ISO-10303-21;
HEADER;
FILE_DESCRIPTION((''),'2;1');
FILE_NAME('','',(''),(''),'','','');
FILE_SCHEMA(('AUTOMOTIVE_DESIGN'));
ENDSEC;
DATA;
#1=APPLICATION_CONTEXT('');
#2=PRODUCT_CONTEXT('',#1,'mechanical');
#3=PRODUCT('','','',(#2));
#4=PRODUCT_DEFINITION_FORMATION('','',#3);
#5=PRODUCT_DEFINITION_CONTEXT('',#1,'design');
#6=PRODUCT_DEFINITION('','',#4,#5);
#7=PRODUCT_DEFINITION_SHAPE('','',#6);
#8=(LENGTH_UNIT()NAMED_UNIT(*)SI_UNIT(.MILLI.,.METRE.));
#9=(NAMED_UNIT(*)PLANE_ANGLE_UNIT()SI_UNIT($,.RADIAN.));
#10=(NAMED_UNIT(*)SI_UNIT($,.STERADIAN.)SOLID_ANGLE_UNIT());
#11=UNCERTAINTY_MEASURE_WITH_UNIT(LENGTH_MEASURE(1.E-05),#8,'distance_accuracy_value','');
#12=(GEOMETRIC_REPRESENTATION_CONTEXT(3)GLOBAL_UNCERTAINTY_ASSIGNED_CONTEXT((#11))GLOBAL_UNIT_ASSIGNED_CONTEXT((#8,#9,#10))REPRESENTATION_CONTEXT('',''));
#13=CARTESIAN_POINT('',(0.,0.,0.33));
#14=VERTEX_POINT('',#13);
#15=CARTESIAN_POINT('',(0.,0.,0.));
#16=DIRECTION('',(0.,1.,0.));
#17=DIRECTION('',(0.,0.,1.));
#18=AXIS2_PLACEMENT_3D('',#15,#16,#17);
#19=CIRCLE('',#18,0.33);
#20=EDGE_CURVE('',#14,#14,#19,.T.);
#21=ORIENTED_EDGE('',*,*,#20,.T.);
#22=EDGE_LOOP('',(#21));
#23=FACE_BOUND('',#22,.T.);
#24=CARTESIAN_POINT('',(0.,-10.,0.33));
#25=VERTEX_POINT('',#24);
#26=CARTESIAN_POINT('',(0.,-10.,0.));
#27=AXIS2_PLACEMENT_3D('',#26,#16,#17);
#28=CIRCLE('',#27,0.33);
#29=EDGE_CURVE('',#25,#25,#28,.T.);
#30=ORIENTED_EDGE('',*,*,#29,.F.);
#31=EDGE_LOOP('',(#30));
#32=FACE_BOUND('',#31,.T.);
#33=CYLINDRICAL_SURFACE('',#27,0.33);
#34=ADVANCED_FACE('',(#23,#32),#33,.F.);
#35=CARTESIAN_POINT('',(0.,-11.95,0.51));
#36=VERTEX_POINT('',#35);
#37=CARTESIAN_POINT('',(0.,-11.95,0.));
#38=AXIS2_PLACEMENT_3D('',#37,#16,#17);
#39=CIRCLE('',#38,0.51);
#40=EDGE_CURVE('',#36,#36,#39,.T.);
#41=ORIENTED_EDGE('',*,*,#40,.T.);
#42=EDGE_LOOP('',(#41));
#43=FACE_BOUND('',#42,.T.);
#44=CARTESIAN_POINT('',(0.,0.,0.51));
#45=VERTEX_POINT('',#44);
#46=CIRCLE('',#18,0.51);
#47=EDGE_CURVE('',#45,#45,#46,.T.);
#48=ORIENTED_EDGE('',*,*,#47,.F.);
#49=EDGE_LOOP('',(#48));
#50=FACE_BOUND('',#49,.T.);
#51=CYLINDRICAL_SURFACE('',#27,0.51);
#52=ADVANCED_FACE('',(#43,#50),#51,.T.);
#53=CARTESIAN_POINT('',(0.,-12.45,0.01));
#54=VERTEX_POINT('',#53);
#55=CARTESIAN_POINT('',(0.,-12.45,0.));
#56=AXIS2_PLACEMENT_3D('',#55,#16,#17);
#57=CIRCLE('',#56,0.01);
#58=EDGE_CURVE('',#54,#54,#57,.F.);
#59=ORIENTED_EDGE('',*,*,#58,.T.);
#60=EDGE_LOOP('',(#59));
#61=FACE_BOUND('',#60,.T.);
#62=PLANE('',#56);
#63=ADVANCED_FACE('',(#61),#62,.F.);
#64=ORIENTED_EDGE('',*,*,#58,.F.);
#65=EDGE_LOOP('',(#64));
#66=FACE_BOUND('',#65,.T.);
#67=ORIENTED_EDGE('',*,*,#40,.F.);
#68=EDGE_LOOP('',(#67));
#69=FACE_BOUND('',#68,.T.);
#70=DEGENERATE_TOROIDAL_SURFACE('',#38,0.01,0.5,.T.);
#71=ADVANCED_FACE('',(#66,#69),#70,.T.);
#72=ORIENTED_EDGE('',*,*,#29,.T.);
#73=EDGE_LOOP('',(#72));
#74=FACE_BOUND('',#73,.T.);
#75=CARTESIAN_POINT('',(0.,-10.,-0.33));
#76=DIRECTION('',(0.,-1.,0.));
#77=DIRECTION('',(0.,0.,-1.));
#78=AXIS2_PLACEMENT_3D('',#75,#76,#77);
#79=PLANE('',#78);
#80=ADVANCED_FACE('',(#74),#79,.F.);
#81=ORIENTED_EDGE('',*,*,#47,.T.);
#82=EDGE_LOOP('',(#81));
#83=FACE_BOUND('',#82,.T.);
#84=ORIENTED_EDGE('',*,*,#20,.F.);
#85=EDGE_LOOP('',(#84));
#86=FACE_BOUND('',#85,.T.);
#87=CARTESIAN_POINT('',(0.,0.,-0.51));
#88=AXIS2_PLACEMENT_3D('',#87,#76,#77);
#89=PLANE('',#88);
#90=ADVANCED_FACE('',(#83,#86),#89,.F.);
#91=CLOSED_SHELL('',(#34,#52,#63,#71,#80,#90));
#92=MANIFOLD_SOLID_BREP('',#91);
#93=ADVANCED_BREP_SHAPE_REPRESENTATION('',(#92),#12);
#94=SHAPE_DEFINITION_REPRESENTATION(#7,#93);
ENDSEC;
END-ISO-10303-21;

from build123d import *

# Parameters (mm, degrees)
FILLET1_R = 0.5


with BuildPart() as part:
    # Sketch1 → Revolve1 (revolve)
    with BuildSketch(Plane(origin=(0, 0, 0), x_dir=(0, 0, -1), z_dir=(1, 0, 0)), mode=Mode.PRIVATE) as revolve1_sk:
        Polygon((0.33, 0), (0.33, -10), (0, -10), (0, -12.45), (0.51, -12.45), (0.51, 0), align=None)
    revolve(revolve1_sk.sketch.rotate(Axis((0, -10, 0), (0, -1, 0)), 180), axis=Axis((0, -10, 0), (0, -1, 0)))

    # Fillet1
    fillet1_edges = [part.edges().sort_by_distance(p)[0] for p in [
        (0, -12.45, -0.51),
    ]]
    fillet(fillet1_edges, radius=FILLET1_R)


solid = part.part
